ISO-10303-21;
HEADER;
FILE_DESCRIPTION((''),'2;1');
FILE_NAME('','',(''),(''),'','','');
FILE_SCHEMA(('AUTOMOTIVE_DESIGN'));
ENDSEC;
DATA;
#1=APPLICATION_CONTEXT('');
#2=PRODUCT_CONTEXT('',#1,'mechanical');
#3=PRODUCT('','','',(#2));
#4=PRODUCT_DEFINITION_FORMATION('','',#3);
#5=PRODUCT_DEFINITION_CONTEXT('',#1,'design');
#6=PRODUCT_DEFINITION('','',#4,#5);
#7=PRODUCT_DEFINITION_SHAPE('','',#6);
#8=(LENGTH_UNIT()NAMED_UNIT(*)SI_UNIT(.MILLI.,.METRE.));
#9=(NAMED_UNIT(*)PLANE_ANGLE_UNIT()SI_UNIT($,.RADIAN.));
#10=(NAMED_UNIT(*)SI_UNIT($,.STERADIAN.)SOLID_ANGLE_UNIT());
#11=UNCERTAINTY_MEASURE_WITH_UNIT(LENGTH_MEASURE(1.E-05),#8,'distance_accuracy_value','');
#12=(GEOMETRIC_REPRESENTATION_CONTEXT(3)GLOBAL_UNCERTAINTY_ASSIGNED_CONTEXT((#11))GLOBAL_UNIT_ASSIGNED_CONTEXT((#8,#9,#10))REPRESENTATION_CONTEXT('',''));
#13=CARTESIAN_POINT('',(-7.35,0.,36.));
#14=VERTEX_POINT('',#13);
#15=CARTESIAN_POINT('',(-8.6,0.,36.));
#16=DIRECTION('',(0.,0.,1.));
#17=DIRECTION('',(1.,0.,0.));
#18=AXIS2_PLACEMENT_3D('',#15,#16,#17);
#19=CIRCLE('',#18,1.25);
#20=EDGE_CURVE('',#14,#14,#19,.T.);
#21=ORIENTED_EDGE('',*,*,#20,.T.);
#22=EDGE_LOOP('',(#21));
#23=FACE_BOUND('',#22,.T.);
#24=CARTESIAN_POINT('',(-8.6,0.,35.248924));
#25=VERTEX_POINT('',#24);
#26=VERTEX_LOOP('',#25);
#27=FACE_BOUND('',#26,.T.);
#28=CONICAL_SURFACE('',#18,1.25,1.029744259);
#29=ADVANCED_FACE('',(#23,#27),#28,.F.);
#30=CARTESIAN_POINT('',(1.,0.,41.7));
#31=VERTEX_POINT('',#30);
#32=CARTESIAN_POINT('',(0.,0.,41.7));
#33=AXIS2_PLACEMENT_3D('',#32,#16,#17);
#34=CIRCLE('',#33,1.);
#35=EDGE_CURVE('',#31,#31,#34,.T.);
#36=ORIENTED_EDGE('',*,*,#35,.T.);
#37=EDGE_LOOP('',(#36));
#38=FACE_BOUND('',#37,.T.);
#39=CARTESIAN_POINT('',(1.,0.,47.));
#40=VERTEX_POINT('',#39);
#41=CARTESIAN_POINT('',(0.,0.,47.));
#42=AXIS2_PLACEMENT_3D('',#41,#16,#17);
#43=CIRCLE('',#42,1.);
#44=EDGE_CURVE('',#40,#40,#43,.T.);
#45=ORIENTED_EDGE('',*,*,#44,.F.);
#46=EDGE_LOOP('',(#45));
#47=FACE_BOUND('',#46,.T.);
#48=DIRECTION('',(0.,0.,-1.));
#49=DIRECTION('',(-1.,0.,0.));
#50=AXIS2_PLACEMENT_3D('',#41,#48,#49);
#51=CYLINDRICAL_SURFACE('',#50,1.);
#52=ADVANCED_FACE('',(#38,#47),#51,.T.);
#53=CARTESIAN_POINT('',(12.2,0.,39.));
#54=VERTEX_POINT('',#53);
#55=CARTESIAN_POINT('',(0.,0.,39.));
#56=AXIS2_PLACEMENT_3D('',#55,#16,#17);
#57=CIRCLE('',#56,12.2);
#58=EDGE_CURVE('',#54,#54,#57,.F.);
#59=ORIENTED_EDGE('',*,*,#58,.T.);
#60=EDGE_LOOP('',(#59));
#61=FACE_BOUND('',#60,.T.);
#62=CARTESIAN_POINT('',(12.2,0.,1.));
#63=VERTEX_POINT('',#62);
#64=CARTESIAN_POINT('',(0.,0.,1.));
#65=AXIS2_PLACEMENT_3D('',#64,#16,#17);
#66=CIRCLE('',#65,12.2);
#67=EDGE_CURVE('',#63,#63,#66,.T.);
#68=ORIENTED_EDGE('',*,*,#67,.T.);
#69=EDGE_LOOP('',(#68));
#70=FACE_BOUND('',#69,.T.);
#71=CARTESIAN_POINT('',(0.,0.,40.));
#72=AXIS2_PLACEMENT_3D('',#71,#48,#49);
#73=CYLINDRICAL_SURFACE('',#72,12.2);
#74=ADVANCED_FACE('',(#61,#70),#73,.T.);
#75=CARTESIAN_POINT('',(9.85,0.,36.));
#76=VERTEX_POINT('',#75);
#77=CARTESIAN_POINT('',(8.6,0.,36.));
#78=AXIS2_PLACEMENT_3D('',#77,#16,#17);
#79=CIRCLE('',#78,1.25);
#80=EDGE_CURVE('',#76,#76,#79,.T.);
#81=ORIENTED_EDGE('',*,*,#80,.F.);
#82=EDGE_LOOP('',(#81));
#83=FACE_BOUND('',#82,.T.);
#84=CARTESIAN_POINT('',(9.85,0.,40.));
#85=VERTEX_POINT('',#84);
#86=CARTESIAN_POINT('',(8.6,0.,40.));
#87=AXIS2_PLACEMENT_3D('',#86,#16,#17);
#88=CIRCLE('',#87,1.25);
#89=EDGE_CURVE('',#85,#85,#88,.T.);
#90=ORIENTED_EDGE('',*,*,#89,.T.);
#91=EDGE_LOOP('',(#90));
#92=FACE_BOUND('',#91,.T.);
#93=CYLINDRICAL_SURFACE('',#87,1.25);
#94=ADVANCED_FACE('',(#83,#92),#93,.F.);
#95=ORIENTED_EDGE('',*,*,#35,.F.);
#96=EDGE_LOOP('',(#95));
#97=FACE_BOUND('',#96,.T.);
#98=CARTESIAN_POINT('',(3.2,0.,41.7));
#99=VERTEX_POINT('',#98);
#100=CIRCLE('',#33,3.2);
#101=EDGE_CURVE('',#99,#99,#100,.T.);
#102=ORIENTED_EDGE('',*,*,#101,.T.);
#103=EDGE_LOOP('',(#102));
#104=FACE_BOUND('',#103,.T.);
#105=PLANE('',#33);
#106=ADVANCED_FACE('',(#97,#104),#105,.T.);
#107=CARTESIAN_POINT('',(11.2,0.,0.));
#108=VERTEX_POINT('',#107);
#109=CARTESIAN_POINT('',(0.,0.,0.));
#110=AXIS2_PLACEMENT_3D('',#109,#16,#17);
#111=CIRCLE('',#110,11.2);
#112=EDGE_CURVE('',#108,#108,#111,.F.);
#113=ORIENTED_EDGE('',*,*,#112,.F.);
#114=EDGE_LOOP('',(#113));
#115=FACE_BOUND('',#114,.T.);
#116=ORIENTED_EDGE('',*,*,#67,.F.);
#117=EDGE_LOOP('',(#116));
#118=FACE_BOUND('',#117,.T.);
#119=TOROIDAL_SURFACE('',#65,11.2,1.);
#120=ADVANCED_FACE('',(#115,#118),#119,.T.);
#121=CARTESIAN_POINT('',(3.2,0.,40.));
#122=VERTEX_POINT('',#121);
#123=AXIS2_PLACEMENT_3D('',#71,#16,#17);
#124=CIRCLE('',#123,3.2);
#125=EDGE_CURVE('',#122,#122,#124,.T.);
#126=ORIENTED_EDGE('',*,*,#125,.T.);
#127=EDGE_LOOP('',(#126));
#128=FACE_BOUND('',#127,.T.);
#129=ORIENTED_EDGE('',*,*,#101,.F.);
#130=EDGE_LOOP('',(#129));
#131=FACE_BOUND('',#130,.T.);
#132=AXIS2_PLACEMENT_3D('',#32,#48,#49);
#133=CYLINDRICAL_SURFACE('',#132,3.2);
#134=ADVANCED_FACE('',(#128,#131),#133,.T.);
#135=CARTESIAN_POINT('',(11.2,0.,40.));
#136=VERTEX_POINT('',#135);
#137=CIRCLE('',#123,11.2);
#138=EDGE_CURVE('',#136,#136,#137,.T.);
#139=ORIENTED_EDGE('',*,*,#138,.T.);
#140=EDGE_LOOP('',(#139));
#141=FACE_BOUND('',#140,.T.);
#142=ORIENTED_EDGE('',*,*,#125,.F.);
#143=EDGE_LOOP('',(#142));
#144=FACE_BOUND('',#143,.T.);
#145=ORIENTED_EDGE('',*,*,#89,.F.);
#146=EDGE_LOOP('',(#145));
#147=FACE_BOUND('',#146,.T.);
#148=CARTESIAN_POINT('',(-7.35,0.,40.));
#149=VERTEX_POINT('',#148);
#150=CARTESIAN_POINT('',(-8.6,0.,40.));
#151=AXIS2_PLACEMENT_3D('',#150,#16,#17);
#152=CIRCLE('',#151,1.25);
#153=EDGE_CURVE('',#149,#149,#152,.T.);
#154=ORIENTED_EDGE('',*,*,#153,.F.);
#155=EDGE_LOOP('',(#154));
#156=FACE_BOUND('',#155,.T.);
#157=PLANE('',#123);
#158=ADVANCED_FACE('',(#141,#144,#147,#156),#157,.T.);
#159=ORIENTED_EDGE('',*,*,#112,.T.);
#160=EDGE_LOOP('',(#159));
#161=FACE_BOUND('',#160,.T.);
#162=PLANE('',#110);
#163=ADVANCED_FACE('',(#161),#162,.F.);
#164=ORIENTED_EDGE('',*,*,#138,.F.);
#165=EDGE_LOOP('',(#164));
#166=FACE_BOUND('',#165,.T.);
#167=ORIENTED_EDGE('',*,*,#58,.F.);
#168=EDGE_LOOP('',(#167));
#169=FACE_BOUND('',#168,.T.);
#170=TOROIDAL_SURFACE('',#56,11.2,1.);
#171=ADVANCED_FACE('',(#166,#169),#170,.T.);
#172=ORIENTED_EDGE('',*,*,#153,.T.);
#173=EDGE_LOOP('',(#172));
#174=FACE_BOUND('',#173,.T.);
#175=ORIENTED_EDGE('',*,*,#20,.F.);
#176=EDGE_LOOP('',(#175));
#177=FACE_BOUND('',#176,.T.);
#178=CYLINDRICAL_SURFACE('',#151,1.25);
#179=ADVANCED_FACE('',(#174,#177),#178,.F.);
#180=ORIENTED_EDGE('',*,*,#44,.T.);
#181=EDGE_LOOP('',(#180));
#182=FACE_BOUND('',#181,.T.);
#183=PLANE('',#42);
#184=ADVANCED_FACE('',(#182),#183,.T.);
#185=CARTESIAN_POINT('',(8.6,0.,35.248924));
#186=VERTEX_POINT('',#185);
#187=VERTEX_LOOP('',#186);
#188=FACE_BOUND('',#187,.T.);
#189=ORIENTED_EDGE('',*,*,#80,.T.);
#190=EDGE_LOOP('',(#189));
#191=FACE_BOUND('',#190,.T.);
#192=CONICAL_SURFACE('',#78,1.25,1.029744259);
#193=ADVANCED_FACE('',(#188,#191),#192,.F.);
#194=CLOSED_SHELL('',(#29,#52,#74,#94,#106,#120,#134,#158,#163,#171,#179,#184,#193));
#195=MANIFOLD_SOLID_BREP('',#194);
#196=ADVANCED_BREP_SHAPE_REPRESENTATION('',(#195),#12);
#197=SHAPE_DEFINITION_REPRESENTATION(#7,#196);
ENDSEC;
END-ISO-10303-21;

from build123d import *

# Parameters (mm, degrees)
ESBO_O1_R                                   = 12.2
RESSALTO_EXTRUS_O1_DEPTH                    = 40
ESBO_O2_R                                   = 3.2
RESSALTO_EXTRUS_O2_DEPTH                    = 1.7
ESBO_O3_R                                   = 1
RESSALTO_EXTRUS_O3_DEPTH                    = 5.3
BROCA_DE_ROSQUEAR_PARA_TARRAXA_DE_M31_D     = 2.5
BROCA_DE_ROSQUEAR_PARA_TARRAXA_DE_M31_DEPTH = 4
BROCA_DE_ROSQUEAR_PARA_TARRAXA_DE_M31_TIP   = 0.751075774
FILETE1_R                                   = 1
FILETE2_R                                   = 1


with BuildPart() as part:
    # Esboço1 → Ressalto-extrusão1 (new body)
    with BuildSketch(Plane.XY):
        Circle(ESBO_O1_R)
    extrude(amount=RESSALTO_EXTRUS_O1_DEPTH)

    # Esboço2 → Ressalto-extrusão2 (add)
    with BuildSketch(Plane.XY.offset(40)):
        Circle(ESBO_O2_R)
    extrude(amount=RESSALTO_EXTRUS_O2_DEPTH)

    # Esboço3 → Ressalto-extrusão3 (add)
    with BuildSketch(Plane.XY.offset(41.7)):
        Circle(ESBO_O3_R)
    extrude(amount=RESSALTO_EXTRUS_O3_DEPTH)

    # Broca de rosquear para tarraxa de M31
    with Locations(Plane(origin=(-8.6, 0, 40), x_dir=(1, 0, 0), z_dir=(0, 0, 1))):
        with Locations((0, 0), (17.2, 0)):
            Hole(BROCA_DE_ROSQUEAR_PARA_TARRAXA_DE_M31_D / 2, depth=BROCA_DE_ROSQUEAR_PARA_TARRAXA_DE_M31_DEPTH)
            with Locations((0, 0, -(BROCA_DE_ROSQUEAR_PARA_TARRAXA_DE_M31_DEPTH + BROCA_DE_ROSQUEAR_PARA_TARRAXA_DE_M31_TIP / 2))):  # 118° drill point
                Cone(0, BROCA_DE_ROSQUEAR_PARA_TARRAXA_DE_M31_D / 2, BROCA_DE_ROSQUEAR_PARA_TARRAXA_DE_M31_TIP, mode=Mode.SUBTRACT)

    # Filete1
    filete1_edges = [part.edges().sort_by_distance(p)[0] for p in [
        (-12.2, 0, 40),
    ]]
    fillet(filete1_edges, radius=FILETE1_R)

    # Filete2
    filete2_edges = [part.edges().sort_by_distance(p)[0] for p in [
        (-12.2, 0, 0),
    ]]
    fillet(filete2_edges, radius=FILETE2_R)


solid = part.part
